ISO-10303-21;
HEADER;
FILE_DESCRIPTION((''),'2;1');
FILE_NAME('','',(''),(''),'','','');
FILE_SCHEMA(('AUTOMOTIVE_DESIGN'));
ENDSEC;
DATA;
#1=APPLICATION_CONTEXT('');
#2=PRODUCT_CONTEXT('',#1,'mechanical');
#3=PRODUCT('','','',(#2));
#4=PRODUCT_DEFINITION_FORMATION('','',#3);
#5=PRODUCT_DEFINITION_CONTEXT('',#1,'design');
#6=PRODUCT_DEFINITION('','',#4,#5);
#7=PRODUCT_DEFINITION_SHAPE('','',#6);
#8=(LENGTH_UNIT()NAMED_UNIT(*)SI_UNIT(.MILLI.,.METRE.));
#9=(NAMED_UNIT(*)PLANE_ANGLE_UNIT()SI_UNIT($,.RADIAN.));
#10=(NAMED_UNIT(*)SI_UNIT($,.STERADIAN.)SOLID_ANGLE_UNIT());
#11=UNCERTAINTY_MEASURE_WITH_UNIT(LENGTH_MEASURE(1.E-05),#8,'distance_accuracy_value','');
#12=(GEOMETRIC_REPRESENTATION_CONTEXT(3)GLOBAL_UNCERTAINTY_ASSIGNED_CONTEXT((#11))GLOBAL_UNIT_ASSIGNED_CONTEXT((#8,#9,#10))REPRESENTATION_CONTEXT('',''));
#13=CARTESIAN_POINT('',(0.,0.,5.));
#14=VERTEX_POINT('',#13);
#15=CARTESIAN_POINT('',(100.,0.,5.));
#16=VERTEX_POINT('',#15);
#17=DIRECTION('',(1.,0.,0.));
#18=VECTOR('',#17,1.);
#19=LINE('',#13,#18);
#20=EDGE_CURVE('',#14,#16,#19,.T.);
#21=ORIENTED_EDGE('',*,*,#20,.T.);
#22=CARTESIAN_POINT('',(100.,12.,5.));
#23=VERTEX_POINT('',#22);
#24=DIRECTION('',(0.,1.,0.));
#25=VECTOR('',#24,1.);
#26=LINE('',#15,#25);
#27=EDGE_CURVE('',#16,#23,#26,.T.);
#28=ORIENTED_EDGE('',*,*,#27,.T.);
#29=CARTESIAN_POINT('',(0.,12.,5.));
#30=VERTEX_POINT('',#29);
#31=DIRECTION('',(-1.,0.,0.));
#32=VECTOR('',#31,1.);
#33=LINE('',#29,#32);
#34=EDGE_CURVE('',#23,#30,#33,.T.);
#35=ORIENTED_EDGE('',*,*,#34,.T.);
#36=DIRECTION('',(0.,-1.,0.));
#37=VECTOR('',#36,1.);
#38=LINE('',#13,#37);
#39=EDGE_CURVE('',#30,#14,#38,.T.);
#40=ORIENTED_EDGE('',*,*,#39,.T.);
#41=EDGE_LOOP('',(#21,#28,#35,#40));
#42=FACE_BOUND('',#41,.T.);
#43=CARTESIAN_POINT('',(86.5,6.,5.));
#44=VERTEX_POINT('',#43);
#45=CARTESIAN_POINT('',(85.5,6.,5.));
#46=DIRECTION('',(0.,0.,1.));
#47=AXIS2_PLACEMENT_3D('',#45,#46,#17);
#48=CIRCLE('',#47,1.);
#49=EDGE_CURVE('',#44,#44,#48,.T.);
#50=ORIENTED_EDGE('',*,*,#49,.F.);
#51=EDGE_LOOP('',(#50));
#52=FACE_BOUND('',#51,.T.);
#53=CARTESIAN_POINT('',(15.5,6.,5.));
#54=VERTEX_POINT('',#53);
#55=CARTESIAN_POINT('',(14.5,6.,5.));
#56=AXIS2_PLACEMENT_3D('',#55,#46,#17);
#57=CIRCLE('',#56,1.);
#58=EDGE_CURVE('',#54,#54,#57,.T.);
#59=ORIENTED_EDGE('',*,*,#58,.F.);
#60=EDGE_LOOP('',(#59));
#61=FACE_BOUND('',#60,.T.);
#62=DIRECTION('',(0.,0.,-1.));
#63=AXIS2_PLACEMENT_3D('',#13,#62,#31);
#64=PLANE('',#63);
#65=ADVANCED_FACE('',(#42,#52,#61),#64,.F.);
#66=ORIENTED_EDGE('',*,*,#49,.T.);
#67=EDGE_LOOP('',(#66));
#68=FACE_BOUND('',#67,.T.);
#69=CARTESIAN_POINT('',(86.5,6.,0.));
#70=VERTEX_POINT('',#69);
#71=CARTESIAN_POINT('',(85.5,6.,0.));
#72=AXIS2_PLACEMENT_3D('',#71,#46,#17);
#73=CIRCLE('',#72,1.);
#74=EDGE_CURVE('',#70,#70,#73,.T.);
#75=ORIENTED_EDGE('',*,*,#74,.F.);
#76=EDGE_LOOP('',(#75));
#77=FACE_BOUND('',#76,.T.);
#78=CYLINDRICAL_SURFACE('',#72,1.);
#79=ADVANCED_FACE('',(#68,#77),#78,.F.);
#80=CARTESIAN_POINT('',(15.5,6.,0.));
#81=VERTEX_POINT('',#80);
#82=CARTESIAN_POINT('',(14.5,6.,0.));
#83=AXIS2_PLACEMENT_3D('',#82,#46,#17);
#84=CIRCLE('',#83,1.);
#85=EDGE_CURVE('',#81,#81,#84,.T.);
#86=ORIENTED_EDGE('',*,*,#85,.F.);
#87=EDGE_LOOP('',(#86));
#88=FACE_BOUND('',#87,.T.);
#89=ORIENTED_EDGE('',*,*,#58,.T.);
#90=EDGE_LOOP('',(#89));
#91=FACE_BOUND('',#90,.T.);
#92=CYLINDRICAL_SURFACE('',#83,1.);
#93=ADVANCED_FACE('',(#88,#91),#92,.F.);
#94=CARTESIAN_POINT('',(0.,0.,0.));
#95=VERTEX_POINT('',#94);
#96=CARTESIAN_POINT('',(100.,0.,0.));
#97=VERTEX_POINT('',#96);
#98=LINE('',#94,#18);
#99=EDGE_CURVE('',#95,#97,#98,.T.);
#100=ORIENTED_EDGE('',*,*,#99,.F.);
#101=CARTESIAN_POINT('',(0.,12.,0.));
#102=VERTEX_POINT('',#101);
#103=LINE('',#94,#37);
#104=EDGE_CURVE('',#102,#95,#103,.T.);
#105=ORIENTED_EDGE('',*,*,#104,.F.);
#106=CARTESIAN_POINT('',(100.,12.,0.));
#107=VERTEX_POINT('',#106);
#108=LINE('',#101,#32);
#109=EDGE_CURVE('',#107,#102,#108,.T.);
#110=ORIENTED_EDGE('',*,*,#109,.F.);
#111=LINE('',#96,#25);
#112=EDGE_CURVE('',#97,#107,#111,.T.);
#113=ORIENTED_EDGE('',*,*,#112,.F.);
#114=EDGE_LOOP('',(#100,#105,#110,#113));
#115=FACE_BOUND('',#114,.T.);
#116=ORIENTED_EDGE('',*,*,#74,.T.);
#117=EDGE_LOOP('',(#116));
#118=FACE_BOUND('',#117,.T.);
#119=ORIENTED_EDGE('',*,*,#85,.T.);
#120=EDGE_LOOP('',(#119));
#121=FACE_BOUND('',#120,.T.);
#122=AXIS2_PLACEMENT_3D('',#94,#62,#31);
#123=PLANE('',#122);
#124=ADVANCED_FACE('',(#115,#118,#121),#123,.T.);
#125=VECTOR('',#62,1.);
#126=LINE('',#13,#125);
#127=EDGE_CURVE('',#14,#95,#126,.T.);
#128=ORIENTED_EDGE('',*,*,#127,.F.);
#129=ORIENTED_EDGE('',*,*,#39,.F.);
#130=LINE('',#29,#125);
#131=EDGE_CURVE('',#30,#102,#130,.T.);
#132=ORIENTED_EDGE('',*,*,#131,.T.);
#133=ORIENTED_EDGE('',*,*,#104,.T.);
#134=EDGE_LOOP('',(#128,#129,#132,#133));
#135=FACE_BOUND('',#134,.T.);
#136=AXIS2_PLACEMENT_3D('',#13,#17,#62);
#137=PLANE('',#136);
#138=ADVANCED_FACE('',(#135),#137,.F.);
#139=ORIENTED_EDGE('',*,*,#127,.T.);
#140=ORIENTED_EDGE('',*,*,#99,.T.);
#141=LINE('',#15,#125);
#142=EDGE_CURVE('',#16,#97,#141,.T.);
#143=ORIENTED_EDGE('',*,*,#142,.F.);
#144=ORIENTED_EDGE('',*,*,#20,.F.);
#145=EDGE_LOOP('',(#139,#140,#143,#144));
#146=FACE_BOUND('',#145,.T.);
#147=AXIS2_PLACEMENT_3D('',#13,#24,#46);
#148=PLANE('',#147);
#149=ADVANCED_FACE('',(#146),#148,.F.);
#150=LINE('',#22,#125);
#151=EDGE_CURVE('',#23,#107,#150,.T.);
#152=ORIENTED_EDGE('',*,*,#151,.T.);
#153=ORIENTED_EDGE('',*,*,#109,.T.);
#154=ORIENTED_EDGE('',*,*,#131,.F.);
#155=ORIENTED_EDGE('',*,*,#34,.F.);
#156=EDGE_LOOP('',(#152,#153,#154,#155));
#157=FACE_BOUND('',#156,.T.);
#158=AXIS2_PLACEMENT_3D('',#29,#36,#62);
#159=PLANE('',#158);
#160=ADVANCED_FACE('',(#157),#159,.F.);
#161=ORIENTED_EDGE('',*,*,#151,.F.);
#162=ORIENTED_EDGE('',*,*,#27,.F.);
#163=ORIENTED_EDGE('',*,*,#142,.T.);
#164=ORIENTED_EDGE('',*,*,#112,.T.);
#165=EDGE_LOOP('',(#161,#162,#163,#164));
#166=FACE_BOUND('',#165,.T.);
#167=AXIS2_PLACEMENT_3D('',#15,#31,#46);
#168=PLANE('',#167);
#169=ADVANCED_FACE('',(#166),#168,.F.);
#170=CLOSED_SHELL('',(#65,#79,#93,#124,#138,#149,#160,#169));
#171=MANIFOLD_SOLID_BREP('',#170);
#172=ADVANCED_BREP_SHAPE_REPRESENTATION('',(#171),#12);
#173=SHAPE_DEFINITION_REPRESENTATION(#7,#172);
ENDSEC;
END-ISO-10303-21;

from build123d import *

# Parameters (mm, degrees)
SKETCH1_W           = 100
SKETCH1_H           = 12
BOSS_EXTRUDE1_DEPTH = 5
SKETCH2_R           = 1
CUT_EXTRUDE1_DEPTH  = 6


with BuildPart() as part:
    # Sketch1 → Boss-Extrude1 (new body)
    with BuildSketch(Plane.XY):
        with Locations((50, 6)):
            Rectangle(SKETCH1_W, SKETCH1_H)
    extrude(amount=BOSS_EXTRUDE1_DEPTH)

    # Sketch2 → Cut-Extrude1 (cut, through all)
    with BuildSketch(Plane.XY.offset(5)):
        with Locations((14.5, 6)):
            Circle(SKETCH2_R)
        with Locations((85.5, 6)):
            Circle(SKETCH2_R)
    extrude(amount=-CUT_EXTRUDE1_DEPTH, mode=Mode.SUBTRACT)


solid = part.part
